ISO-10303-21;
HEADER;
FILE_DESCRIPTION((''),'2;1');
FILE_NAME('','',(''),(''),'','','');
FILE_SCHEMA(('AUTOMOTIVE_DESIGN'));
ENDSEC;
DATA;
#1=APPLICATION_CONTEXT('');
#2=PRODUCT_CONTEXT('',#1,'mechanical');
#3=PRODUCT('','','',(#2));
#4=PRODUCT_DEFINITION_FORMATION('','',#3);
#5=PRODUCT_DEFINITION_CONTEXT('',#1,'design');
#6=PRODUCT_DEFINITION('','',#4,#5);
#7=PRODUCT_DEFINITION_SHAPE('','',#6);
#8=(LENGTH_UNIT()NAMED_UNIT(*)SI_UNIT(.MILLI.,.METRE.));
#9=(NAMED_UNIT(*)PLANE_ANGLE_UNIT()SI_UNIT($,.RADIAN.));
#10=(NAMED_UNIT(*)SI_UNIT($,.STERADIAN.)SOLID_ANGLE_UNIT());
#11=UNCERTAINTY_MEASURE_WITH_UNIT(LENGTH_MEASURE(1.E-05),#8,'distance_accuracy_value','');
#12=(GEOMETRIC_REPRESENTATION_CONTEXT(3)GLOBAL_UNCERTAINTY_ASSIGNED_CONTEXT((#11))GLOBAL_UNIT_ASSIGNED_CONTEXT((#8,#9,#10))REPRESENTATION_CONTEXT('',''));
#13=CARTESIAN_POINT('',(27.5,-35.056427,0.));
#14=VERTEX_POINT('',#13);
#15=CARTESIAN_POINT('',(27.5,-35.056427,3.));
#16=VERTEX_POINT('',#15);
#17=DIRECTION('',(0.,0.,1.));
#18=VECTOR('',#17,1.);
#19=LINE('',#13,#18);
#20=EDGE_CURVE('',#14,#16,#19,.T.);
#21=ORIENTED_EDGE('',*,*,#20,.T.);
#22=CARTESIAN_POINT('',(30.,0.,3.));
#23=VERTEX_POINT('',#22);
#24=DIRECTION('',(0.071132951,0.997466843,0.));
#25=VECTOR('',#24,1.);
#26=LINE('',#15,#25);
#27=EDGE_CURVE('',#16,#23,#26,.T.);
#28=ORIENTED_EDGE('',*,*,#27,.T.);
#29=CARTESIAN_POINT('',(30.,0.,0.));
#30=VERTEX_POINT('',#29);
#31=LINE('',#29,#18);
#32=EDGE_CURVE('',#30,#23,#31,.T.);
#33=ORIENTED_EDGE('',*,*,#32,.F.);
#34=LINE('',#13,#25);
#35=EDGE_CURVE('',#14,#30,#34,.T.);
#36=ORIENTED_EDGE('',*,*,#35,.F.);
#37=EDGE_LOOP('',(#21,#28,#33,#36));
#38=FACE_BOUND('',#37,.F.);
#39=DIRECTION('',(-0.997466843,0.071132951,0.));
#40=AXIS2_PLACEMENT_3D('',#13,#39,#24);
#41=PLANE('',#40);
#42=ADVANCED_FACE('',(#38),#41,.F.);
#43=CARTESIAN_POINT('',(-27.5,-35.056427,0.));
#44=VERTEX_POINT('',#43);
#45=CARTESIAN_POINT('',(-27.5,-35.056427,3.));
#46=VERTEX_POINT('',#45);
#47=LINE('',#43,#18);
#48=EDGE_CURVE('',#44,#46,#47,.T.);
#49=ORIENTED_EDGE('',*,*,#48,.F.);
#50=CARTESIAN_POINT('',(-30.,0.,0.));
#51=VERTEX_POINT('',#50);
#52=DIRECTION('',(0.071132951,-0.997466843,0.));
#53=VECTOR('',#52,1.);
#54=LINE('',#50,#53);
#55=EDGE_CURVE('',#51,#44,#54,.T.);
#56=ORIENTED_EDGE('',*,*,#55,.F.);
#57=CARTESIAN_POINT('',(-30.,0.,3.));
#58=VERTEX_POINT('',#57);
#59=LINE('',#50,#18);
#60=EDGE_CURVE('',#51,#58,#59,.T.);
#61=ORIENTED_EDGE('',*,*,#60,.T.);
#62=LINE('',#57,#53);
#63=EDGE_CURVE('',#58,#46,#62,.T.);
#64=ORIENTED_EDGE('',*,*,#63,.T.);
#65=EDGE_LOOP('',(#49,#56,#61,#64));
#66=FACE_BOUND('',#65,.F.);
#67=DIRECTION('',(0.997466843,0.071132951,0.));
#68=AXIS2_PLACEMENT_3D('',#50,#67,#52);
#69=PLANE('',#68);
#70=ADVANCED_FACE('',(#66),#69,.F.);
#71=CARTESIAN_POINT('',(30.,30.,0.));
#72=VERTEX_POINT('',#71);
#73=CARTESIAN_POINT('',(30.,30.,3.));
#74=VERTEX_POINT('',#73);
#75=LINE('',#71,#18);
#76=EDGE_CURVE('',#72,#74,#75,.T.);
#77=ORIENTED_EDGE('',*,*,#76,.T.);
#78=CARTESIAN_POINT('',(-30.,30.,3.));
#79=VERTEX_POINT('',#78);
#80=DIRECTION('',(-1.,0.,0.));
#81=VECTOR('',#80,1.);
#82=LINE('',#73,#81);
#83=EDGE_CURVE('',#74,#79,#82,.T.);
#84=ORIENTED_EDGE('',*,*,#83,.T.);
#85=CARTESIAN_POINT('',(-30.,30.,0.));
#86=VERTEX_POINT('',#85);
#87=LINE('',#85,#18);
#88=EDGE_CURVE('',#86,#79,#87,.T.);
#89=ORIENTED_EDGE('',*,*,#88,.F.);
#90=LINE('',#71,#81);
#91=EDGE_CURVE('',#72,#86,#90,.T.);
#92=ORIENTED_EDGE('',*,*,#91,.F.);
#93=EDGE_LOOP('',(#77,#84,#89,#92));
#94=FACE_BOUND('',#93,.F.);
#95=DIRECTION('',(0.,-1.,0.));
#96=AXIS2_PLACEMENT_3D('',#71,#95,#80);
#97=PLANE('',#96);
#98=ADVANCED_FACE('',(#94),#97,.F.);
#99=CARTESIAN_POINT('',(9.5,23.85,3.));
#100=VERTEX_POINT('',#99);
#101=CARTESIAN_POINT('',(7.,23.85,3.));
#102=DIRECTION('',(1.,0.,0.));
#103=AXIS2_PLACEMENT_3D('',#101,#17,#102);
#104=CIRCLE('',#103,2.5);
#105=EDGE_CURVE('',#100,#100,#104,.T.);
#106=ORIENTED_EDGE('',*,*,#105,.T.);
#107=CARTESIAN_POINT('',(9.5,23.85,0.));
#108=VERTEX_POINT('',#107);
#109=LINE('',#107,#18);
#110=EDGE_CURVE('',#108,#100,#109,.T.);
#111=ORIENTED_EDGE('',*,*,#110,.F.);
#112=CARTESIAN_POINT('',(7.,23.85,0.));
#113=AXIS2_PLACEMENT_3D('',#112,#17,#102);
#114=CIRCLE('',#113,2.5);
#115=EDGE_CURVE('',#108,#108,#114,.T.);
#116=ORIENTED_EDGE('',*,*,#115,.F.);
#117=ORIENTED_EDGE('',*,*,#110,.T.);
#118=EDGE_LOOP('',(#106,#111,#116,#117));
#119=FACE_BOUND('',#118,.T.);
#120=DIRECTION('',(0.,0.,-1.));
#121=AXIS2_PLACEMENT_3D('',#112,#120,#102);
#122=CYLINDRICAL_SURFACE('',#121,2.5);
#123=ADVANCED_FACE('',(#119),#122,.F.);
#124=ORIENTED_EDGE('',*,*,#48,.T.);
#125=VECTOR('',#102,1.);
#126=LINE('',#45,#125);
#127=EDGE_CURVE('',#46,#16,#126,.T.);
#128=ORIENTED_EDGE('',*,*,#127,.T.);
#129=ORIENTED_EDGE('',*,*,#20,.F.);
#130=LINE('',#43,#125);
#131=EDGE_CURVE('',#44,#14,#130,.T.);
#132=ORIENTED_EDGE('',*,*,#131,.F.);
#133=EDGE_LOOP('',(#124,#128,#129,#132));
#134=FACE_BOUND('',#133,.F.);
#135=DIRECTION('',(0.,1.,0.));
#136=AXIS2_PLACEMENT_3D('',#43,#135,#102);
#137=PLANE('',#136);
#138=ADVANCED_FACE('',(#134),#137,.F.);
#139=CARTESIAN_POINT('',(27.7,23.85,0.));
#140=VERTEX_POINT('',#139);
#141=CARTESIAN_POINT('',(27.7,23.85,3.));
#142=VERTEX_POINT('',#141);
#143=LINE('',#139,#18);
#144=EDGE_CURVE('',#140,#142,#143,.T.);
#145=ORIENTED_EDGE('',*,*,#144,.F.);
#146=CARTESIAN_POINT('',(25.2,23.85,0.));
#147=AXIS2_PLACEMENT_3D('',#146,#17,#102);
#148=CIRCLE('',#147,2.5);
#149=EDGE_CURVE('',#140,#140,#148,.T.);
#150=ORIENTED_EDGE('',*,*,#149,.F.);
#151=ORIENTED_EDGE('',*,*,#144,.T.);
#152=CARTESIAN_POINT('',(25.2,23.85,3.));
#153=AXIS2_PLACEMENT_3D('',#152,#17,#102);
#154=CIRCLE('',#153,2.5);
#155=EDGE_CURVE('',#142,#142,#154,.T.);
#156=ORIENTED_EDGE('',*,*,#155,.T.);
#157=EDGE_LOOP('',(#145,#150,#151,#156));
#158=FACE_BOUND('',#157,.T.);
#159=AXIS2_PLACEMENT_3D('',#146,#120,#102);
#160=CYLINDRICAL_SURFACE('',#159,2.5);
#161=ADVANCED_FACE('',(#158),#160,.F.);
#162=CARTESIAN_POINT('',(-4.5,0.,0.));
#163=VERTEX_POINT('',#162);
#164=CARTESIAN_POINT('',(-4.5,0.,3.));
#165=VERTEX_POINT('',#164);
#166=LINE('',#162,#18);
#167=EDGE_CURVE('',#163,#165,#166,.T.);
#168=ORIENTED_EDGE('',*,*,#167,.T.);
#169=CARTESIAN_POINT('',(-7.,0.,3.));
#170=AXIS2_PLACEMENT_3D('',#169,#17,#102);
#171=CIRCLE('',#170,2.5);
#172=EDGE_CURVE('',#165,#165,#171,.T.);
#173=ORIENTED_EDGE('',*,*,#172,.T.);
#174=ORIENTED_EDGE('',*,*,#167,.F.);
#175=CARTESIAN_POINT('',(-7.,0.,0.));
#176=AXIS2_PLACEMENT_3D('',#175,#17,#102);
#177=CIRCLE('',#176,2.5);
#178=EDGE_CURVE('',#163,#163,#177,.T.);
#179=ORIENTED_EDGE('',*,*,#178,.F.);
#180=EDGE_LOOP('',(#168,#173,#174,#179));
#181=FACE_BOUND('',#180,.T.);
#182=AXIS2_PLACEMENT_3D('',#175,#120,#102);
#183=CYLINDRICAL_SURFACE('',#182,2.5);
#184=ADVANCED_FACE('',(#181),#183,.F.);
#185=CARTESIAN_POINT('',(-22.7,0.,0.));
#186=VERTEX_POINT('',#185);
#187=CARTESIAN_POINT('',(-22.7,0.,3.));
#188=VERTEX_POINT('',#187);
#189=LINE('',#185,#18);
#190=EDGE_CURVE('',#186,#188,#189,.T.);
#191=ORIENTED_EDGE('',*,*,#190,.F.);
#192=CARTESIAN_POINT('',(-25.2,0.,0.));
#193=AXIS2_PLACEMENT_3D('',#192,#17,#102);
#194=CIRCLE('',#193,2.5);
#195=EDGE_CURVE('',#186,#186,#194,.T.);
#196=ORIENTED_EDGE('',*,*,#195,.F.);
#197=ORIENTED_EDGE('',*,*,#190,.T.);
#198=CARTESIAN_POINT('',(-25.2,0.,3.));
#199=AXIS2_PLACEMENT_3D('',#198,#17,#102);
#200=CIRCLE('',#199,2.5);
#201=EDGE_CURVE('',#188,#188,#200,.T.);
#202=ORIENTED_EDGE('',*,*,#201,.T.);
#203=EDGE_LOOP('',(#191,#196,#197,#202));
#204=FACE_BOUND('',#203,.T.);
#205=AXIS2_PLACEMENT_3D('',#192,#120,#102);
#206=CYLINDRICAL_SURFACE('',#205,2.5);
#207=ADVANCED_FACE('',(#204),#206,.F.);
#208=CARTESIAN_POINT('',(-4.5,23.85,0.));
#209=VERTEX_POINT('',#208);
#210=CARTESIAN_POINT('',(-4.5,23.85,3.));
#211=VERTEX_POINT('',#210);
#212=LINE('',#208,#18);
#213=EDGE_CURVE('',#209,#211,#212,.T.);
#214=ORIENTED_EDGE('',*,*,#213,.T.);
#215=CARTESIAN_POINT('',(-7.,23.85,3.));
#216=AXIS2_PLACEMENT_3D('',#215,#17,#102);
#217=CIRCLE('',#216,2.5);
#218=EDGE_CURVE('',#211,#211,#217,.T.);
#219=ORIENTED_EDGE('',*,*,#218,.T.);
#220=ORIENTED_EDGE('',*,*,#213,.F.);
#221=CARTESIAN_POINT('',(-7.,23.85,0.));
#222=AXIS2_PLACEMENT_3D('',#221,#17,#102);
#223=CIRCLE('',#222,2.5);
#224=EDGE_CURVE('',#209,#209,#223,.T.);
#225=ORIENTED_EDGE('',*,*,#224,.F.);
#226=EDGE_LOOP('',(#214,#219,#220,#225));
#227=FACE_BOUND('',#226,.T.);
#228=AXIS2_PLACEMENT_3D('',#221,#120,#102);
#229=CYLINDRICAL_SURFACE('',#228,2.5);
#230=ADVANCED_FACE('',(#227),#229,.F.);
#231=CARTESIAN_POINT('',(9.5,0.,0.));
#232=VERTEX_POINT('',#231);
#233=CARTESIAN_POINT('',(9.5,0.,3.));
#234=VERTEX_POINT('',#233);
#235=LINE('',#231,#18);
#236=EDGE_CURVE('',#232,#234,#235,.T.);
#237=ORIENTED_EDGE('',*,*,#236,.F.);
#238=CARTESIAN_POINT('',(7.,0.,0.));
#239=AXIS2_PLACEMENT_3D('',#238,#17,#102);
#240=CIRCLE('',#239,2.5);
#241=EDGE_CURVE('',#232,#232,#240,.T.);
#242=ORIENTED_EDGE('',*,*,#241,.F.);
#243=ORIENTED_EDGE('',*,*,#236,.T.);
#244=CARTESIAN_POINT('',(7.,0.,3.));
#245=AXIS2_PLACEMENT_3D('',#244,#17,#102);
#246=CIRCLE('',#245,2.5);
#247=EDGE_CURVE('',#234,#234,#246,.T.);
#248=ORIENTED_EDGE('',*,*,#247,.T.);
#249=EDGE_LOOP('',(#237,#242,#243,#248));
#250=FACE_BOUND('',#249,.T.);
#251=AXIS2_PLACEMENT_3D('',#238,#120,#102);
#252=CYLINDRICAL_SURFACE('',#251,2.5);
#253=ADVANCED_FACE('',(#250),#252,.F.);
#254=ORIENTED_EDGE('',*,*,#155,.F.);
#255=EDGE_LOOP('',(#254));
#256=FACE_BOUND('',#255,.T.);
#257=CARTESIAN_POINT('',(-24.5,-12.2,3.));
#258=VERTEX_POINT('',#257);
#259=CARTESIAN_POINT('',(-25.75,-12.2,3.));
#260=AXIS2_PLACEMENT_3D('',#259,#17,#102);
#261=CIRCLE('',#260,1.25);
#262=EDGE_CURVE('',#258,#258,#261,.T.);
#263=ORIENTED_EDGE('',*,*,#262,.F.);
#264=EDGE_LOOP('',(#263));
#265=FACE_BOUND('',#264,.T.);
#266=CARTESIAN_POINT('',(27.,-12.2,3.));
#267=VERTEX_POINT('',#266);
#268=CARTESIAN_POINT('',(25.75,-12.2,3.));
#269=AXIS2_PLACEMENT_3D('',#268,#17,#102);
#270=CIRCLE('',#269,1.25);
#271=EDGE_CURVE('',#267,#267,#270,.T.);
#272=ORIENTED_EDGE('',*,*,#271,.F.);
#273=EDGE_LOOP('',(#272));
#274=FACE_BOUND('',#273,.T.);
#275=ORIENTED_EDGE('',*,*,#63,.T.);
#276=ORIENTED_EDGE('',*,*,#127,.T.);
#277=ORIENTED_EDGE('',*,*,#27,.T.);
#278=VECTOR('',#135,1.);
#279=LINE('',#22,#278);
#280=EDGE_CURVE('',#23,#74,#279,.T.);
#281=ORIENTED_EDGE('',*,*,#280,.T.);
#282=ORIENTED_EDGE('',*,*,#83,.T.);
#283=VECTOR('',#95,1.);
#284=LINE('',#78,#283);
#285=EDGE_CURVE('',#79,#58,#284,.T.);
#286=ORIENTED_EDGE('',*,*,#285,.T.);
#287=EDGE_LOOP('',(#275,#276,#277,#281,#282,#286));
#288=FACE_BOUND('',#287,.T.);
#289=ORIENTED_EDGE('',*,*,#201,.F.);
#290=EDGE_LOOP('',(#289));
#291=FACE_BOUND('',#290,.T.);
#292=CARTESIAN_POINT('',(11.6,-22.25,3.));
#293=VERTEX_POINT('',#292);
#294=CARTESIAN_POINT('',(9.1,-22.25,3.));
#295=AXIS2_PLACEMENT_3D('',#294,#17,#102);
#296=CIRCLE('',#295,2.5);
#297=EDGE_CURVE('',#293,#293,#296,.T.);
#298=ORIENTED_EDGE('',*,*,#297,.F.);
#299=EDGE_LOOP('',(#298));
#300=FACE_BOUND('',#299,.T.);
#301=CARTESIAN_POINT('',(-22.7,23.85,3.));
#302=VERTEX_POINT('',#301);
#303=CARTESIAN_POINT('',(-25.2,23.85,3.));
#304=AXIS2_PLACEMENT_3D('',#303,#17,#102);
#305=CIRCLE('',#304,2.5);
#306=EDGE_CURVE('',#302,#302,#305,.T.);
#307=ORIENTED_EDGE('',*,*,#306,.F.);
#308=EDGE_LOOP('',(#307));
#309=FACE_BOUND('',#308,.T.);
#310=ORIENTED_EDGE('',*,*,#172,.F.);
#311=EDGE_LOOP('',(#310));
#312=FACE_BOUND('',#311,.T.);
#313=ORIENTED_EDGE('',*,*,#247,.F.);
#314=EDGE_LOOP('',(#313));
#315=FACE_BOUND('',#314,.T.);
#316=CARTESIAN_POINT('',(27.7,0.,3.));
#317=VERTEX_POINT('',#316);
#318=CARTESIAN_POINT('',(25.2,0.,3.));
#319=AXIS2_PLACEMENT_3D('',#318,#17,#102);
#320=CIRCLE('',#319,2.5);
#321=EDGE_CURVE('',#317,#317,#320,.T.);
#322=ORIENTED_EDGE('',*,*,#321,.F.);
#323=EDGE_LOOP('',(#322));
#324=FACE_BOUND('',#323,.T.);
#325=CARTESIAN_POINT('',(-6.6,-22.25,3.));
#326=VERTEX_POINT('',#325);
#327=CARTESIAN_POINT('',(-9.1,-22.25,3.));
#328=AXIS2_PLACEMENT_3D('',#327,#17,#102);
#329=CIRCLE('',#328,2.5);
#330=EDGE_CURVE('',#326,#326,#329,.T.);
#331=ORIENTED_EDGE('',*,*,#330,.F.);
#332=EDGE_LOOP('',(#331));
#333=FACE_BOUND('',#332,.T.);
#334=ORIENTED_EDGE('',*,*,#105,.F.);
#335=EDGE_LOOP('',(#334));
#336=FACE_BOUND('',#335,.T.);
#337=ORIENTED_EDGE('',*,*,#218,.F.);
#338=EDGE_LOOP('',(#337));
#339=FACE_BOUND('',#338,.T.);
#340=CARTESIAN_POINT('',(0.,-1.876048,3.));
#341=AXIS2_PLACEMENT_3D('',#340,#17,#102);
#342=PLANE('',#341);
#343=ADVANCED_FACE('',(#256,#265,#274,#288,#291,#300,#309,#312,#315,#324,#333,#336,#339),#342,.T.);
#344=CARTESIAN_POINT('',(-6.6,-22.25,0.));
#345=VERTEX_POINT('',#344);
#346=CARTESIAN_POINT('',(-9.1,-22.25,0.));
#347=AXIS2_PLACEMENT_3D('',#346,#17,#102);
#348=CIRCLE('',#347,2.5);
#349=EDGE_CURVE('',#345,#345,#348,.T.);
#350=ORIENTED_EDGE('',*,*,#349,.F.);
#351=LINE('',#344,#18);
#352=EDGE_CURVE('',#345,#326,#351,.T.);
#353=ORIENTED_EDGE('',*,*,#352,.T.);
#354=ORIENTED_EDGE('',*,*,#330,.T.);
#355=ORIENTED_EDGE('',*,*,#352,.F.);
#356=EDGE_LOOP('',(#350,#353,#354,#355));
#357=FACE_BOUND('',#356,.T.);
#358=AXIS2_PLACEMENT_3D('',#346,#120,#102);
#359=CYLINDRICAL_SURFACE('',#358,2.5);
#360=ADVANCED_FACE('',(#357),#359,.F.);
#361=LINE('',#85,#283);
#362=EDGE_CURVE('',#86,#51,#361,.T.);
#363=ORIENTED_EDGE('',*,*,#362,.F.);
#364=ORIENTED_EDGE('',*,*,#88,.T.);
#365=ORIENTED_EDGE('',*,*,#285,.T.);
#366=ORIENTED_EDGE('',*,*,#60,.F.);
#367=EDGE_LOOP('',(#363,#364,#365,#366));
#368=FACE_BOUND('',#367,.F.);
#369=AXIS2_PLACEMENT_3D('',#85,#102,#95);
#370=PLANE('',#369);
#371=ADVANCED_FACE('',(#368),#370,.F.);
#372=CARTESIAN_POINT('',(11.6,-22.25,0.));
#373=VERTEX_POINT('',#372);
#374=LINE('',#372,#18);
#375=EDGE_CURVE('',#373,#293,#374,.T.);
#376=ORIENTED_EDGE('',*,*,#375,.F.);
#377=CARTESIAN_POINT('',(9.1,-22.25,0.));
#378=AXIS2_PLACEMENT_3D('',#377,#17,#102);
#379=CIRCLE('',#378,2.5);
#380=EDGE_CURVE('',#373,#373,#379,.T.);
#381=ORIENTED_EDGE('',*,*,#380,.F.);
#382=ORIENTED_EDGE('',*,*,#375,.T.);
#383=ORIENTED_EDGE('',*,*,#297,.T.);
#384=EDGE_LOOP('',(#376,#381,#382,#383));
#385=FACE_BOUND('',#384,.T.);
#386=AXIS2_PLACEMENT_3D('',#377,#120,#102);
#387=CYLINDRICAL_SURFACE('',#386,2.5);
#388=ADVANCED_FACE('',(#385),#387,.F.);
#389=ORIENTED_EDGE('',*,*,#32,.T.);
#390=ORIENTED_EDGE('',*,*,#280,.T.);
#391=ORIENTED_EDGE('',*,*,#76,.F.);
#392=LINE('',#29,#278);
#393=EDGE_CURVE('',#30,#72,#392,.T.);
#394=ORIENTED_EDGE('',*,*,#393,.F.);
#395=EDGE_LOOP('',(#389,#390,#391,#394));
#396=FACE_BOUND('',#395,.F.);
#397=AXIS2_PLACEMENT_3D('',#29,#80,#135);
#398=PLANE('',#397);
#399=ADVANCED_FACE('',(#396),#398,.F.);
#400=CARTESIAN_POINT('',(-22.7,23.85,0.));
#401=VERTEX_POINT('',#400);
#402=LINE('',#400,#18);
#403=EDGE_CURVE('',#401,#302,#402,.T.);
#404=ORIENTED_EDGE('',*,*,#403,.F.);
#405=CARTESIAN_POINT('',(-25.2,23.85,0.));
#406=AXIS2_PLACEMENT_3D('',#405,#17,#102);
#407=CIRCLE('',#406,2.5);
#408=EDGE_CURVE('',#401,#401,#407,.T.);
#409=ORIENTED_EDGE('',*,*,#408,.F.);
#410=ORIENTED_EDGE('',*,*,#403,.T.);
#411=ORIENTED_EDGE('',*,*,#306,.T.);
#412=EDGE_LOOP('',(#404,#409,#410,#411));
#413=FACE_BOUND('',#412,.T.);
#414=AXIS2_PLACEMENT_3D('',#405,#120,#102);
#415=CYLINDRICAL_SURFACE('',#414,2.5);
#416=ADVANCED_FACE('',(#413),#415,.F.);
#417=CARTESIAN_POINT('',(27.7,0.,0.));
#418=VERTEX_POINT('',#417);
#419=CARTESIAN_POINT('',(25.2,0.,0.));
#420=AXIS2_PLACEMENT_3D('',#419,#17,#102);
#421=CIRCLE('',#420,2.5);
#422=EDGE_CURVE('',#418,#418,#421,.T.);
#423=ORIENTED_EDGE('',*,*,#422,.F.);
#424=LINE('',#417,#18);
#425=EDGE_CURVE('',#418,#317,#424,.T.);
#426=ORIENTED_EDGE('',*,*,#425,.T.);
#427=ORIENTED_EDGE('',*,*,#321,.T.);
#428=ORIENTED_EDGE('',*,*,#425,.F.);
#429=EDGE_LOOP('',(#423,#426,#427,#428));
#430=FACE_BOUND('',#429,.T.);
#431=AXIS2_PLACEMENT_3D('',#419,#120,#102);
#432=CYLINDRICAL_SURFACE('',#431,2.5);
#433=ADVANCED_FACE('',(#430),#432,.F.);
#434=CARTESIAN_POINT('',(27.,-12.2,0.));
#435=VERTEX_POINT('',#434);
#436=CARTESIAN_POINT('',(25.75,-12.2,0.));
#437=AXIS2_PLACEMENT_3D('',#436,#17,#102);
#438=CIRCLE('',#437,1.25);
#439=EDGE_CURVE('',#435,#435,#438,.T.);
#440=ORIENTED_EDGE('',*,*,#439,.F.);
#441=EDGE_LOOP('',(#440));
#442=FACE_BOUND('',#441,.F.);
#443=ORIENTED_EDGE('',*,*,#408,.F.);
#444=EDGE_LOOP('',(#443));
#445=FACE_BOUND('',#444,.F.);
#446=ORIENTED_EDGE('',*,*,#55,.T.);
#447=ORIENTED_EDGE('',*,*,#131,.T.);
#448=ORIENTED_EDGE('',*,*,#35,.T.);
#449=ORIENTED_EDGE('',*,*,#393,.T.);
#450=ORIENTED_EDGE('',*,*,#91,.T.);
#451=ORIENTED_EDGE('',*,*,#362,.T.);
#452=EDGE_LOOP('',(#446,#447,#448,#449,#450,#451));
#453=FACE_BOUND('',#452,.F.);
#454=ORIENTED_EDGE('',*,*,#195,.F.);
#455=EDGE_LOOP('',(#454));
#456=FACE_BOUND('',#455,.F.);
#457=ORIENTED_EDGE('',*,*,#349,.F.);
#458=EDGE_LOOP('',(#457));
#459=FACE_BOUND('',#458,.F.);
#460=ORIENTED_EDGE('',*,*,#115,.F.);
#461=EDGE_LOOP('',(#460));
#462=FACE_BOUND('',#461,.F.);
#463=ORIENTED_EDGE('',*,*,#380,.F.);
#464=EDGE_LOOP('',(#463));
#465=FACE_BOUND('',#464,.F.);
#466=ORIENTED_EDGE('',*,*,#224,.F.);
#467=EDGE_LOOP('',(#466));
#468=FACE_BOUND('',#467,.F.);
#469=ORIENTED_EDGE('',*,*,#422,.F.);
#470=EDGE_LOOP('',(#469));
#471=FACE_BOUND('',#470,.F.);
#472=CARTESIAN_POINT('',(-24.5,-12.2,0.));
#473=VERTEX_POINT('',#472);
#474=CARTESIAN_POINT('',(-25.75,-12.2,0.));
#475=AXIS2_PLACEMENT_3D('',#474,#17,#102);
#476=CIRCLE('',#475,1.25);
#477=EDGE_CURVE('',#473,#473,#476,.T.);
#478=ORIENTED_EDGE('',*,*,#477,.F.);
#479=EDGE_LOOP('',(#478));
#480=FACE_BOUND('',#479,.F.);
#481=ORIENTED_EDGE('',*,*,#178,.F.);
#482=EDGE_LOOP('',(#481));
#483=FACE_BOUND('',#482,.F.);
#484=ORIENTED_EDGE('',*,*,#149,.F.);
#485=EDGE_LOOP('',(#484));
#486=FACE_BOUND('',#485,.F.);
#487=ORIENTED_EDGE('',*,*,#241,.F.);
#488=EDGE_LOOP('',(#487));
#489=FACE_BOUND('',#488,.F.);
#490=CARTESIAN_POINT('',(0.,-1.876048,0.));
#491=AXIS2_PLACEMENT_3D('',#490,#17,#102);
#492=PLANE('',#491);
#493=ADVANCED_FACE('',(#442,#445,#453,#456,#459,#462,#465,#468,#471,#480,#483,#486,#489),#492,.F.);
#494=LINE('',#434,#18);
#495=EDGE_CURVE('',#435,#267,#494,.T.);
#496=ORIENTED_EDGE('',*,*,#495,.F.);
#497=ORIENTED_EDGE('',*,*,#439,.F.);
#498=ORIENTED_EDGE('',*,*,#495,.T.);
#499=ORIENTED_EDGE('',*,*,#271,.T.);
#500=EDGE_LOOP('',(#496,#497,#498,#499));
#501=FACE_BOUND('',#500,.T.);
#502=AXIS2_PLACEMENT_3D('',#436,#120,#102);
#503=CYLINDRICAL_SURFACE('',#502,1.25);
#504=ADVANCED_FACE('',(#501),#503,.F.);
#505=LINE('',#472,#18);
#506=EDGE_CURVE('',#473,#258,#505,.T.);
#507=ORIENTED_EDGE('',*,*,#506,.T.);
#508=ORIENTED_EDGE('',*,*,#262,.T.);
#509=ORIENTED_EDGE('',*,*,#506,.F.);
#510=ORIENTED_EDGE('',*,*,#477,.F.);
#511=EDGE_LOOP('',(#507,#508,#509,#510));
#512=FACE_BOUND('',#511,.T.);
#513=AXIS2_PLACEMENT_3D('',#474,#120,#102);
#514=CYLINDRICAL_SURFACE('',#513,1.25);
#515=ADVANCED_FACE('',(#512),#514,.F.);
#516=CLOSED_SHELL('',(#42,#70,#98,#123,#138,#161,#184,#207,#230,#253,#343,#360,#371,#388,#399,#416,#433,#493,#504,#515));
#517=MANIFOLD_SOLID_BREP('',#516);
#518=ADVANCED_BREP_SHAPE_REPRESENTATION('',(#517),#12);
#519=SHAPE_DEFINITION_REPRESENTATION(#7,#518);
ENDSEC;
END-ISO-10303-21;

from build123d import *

# Parameters (mm, degrees)
F0_R     = 2.5
F0_R_2   = 1.25
F1_DEPTH = 3


with BuildPart() as f1:
    # F0 (on Top) → F1 (new body)
    with BuildSketch(Plane.XY):
        Polygon((30, 30), (-30, 30), (-30, 0), (-27.5, -35.056427), (27.5, -35.056427), (30, 0), align=None)
        with Locations((-9.1, -22.25)):
            Circle(F0_R, mode=Mode.SUBTRACT)
        with Locations((-25.75, -12.2)):
            Circle(F0_R_2, mode=Mode.SUBTRACT)
        with Locations((9.1, -22.25)):
            Circle(F0_R, mode=Mode.SUBTRACT)
        with Locations((25.75, -12.2)):
            Circle(F0_R_2, mode=Mode.SUBTRACT)
        with Locations((-25.2, 0)):
            Circle(F0_R, mode=Mode.SUBTRACT)
        with Locations((-7, 0)):
            Circle(F0_R, mode=Mode.SUBTRACT)
        with Locations((-25.2, 23.85)):
            Circle(F0_R, mode=Mode.SUBTRACT)
        with Locations((-7, 23.85)):
            Circle(F0_R, mode=Mode.SUBTRACT)
        with Locations((7, 0)):
            Circle(F0_R, mode=Mode.SUBTRACT)
        with Locations((25.2, 0)):
            Circle(F0_R, mode=Mode.SUBTRACT)
        with Locations((7, 23.85)):
            Circle(F0_R, mode=Mode.SUBTRACT)
        with Locations((25.2, 23.85)):
            Circle(F0_R, mode=Mode.SUBTRACT)
    extrude(amount=F1_DEPTH)


solid = f1.part
